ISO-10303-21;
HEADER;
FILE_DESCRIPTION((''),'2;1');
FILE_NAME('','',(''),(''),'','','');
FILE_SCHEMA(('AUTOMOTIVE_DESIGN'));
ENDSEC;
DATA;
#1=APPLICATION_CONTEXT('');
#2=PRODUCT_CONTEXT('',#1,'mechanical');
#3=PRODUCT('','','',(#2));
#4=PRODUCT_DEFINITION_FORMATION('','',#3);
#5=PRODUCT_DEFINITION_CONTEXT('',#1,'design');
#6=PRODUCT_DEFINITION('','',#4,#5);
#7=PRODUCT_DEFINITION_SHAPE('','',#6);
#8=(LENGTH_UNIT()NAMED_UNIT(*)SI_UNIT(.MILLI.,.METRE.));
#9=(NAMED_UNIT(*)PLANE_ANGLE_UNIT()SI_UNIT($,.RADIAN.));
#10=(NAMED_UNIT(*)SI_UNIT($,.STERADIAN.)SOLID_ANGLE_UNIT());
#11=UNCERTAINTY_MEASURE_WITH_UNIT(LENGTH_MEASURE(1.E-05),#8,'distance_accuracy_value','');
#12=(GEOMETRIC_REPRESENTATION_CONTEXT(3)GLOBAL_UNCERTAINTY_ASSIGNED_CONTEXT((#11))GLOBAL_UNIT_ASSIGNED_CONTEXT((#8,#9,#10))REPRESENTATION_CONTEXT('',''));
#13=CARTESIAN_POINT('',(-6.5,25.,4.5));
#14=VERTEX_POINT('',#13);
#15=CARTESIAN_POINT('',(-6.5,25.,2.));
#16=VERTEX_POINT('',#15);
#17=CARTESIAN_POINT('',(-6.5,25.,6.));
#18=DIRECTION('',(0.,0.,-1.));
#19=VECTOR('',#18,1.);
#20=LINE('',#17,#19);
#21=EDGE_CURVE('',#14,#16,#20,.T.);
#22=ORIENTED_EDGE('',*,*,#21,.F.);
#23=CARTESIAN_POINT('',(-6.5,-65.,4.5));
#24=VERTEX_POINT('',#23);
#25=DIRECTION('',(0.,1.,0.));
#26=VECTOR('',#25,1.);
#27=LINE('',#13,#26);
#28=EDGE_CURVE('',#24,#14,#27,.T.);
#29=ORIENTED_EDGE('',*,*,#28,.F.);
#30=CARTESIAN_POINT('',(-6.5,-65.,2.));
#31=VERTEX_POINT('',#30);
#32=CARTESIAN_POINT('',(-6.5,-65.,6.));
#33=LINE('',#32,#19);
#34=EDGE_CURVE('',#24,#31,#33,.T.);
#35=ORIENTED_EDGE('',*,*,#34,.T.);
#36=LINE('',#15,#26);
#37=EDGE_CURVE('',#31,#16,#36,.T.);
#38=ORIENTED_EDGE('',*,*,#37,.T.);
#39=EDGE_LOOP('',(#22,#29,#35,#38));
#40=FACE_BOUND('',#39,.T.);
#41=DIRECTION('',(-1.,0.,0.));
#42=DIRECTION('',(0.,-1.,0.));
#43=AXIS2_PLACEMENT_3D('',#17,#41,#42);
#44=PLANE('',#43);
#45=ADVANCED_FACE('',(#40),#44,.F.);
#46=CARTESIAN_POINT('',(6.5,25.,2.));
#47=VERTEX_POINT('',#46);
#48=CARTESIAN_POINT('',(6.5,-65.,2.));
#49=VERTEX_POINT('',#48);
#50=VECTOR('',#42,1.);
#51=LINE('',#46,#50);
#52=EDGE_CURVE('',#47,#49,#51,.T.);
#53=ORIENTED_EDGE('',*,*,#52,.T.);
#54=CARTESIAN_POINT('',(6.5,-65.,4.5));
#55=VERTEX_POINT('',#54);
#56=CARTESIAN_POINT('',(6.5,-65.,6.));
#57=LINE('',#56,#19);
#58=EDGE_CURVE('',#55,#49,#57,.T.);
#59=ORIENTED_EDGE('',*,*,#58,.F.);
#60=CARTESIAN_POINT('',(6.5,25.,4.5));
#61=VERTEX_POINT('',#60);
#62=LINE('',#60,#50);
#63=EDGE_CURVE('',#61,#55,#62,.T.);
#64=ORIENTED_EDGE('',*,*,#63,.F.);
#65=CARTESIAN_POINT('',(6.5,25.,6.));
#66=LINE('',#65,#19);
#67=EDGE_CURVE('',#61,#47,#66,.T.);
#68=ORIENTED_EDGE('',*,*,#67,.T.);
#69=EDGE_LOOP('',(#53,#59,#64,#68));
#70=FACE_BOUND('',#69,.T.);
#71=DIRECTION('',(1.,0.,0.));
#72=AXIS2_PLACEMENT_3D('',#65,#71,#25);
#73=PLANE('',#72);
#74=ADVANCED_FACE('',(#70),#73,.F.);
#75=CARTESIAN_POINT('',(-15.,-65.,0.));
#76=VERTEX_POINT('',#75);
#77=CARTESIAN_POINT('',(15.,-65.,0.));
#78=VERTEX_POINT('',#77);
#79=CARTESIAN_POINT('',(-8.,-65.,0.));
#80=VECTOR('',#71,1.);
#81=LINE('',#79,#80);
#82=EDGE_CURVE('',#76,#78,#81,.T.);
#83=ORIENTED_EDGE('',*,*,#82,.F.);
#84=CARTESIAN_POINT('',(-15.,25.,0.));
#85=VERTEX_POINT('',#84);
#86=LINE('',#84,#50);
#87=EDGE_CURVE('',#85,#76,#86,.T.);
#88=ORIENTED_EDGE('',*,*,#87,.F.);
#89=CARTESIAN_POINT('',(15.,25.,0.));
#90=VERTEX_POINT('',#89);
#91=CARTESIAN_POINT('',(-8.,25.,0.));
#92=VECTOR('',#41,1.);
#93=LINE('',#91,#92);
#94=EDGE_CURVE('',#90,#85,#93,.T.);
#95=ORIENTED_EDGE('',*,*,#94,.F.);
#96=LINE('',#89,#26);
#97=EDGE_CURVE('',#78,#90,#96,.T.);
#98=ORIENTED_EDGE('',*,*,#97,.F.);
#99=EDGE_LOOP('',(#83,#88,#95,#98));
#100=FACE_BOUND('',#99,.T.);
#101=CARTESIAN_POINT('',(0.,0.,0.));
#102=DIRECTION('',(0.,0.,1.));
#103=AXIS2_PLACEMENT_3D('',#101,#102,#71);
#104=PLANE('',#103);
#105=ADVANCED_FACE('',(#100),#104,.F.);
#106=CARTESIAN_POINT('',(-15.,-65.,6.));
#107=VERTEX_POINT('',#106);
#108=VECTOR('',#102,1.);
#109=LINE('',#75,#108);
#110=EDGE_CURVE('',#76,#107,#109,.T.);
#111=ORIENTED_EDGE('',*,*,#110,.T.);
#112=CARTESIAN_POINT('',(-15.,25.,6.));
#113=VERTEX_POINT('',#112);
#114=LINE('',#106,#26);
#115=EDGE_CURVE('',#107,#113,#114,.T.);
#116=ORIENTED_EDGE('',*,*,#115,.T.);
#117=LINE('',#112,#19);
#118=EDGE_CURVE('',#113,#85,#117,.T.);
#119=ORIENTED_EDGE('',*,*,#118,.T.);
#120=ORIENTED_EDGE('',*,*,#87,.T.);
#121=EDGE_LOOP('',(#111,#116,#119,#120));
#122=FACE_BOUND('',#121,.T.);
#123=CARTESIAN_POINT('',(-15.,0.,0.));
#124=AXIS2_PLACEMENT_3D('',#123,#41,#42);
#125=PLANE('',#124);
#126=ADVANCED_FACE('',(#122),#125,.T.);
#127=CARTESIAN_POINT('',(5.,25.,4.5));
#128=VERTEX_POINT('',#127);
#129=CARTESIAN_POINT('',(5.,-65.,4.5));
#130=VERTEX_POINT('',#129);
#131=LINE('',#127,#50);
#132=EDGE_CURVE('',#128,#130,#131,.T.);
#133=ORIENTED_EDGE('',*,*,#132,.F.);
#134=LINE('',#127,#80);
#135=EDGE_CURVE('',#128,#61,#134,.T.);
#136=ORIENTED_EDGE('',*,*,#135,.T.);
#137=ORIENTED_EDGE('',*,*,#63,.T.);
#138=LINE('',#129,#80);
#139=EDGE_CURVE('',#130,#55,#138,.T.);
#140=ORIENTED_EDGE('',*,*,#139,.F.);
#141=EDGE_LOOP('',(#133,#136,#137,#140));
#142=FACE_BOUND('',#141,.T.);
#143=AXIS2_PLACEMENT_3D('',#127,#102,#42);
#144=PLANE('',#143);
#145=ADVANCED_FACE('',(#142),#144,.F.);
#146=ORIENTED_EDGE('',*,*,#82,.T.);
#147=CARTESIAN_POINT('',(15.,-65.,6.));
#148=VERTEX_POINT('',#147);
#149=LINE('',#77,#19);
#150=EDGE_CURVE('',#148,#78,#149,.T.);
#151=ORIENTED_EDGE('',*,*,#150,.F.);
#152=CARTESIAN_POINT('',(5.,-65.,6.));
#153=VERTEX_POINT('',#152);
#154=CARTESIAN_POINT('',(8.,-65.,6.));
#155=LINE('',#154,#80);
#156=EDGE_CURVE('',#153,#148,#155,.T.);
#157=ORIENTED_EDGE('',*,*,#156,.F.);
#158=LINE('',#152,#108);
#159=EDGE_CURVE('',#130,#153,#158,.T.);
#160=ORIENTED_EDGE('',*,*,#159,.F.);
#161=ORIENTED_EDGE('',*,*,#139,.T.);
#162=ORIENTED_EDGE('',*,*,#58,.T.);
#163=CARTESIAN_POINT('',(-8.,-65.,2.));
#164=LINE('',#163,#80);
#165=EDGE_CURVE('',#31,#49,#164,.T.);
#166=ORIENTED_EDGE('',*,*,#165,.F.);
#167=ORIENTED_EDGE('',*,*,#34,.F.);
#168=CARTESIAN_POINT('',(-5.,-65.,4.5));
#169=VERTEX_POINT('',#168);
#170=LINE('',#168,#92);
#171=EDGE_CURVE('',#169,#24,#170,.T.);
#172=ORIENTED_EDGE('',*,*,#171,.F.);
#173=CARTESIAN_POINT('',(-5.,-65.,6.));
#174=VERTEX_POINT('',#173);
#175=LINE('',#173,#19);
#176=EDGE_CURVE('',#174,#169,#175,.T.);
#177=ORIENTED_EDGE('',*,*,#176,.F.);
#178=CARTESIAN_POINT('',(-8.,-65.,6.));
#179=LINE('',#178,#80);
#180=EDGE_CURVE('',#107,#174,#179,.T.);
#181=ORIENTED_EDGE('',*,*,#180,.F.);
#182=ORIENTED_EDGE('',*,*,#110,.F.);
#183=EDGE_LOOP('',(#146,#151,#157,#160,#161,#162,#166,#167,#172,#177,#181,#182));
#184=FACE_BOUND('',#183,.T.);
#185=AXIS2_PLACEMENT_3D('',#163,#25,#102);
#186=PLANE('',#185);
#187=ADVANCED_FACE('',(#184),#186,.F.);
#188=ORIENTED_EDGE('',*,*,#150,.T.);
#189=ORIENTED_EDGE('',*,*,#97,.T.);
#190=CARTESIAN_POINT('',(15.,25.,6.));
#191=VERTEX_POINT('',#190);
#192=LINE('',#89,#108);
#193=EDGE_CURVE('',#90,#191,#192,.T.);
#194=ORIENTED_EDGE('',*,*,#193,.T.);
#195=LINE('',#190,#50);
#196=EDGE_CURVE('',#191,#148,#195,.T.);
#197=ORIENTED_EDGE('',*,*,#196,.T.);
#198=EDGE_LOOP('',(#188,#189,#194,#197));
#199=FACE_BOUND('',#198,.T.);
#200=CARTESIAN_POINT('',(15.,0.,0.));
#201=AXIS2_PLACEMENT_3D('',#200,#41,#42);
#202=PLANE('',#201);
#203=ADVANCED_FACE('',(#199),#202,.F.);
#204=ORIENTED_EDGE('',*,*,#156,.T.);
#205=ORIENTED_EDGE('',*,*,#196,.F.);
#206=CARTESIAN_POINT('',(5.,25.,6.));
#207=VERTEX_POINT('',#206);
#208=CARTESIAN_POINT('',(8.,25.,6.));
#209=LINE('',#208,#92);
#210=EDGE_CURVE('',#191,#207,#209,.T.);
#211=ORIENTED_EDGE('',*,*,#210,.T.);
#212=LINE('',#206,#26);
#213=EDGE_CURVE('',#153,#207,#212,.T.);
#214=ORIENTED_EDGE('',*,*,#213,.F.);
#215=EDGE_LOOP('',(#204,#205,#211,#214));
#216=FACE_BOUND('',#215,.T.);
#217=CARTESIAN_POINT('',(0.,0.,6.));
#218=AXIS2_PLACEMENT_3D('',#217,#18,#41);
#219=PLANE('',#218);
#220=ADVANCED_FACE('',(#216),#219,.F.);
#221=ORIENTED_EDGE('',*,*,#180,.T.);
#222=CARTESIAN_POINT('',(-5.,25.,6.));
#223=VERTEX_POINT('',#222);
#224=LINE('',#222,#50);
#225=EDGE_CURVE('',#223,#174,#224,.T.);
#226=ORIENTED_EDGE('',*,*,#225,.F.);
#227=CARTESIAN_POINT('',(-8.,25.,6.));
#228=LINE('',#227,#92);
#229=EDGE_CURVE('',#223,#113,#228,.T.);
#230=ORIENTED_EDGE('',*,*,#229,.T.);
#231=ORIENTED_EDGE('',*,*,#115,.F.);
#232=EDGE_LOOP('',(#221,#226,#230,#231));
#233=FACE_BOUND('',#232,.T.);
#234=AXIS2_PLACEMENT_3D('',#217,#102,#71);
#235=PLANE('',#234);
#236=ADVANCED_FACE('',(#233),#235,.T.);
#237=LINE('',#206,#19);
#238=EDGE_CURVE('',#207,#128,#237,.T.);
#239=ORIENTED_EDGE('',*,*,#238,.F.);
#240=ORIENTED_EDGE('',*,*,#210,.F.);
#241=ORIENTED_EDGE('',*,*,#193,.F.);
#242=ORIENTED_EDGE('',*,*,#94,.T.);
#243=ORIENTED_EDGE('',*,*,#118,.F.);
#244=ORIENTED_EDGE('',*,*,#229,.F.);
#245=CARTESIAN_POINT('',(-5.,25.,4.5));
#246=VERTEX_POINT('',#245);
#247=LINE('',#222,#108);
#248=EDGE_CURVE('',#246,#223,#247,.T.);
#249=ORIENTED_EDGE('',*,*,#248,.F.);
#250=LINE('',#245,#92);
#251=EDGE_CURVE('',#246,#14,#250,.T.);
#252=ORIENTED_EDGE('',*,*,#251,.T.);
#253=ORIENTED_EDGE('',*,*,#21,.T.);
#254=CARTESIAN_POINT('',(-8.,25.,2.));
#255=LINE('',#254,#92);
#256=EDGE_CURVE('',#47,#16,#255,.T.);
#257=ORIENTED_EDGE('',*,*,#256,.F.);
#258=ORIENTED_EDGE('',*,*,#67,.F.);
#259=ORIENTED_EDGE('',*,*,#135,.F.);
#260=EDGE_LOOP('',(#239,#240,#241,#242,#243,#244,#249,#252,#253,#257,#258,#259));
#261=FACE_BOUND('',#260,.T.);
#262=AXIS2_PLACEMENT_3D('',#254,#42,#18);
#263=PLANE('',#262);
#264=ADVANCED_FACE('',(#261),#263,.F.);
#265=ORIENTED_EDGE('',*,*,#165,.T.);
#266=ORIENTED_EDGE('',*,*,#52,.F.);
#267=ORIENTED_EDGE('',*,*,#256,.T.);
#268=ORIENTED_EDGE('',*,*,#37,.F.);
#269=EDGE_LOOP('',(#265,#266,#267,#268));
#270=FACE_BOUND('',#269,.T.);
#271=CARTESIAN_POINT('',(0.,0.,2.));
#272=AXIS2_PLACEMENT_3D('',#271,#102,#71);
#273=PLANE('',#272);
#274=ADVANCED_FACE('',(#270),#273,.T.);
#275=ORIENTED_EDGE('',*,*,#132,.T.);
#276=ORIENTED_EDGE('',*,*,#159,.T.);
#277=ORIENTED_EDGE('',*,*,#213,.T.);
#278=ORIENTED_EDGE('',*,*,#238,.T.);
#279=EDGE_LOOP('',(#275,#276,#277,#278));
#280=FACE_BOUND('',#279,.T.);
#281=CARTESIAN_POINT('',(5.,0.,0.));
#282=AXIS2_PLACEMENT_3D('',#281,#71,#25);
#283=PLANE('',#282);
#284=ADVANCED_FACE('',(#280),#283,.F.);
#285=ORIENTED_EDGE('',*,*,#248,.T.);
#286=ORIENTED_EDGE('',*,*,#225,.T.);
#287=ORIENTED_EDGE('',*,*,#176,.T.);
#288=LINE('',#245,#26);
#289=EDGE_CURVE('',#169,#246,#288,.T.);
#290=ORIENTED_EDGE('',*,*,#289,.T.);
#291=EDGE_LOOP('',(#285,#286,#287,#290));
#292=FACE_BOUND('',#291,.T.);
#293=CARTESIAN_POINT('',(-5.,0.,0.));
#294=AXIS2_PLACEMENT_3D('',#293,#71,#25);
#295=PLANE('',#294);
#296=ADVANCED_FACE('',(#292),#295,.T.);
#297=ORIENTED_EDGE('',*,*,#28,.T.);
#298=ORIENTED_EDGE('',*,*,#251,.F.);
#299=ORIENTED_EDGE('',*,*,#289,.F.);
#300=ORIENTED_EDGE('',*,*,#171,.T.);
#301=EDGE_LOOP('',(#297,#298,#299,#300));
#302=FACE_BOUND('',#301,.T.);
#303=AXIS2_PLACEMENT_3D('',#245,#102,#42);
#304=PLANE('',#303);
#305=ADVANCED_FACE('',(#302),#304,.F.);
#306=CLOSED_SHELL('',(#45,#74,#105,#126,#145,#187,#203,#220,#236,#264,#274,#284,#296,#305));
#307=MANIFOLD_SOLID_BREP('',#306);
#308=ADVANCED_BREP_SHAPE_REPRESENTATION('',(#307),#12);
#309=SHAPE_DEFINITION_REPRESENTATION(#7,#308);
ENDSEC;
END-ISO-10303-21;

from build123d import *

# Parameters (mm, degrees)
SKETCH1_W           = 16
SKETCH1_H           = 90
BOSS_EXTRUDE1_DEPTH = 2
SKETCH2_W           = 1.5
SKETCH2_H           = 90
BOSS_EXTRUDE2_DEPTH = 4
SKETCH3_W           = 1.5
SKETCH3_H           = 90
BOSS_EXTRUDE3_DEPTH = 1.5
SKETCH4_W           = 1.5
SKETCH4_H           = 90
BOSS_EXTRUDE4_DEPTH = 1.5
SKETCH6_W           = 6
SKETCH6_H           = 90
BOSS_EXTRUDE5_DEPTH = 7
SKETCH7_W           = 6
SKETCH7_H           = 90
BOSS_EXTRUDE6_DEPTH = 7


with BuildPart() as part:
    # Sketch1 → Boss-Extrude1 (new body)
    with BuildSketch(Plane.XY):
        with Locations((0, -20)):
            Rectangle(SKETCH1_W, SKETCH1_H)
    extrude(amount=BOSS_EXTRUDE1_DEPTH)

    # Sketch2 → Boss-Extrude2 (add)
    with BuildSketch(Plane.XY.offset(2)):
        with Locations((-7.25, -20)):
            Rectangle(SKETCH2_W, SKETCH2_H)
        with Locations((7.25, -20)):
            Rectangle(SKETCH2_W, SKETCH2_H)
    extrude(amount=BOSS_EXTRUDE2_DEPTH)

    # Sketch3 → Boss-Extrude3 (add)
    with BuildSketch(Plane(origin=(-6.5, 0, 0), x_dir=(0, 0, -1), z_dir=(1, 0, 0))):
        with Locations((-5.25, -20)):
            Rectangle(SKETCH3_W, SKETCH3_H)
    extrude(amount=BOSS_EXTRUDE3_DEPTH)

    # Sketch4 → Boss-Extrude4 (add)
    with BuildSketch(Plane.ZY.offset(-6.5)):
        with Locations((5.25, -20)):
            Rectangle(SKETCH4_W, SKETCH4_H)
    extrude(amount=BOSS_EXTRUDE4_DEPTH)

    # Sketch6 → Boss-Extrude5 (add)
    with BuildSketch(Plane(origin=(8, 0, 0), x_dir=(0, 0, -1), z_dir=(1, 0, 0))):
        with Locations((-3, -20)):
            Rectangle(SKETCH6_W, SKETCH6_H)
    extrude(amount=BOSS_EXTRUDE5_DEPTH)

    # Sketch7 → Boss-Extrude6 (add)
    with BuildSketch(Plane.ZY.offset(8)):
        with Locations((3, -20)):
            Rectangle(SKETCH7_W, SKETCH7_H)
    extrude(amount=BOSS_EXTRUDE6_DEPTH)


solid = part.part
